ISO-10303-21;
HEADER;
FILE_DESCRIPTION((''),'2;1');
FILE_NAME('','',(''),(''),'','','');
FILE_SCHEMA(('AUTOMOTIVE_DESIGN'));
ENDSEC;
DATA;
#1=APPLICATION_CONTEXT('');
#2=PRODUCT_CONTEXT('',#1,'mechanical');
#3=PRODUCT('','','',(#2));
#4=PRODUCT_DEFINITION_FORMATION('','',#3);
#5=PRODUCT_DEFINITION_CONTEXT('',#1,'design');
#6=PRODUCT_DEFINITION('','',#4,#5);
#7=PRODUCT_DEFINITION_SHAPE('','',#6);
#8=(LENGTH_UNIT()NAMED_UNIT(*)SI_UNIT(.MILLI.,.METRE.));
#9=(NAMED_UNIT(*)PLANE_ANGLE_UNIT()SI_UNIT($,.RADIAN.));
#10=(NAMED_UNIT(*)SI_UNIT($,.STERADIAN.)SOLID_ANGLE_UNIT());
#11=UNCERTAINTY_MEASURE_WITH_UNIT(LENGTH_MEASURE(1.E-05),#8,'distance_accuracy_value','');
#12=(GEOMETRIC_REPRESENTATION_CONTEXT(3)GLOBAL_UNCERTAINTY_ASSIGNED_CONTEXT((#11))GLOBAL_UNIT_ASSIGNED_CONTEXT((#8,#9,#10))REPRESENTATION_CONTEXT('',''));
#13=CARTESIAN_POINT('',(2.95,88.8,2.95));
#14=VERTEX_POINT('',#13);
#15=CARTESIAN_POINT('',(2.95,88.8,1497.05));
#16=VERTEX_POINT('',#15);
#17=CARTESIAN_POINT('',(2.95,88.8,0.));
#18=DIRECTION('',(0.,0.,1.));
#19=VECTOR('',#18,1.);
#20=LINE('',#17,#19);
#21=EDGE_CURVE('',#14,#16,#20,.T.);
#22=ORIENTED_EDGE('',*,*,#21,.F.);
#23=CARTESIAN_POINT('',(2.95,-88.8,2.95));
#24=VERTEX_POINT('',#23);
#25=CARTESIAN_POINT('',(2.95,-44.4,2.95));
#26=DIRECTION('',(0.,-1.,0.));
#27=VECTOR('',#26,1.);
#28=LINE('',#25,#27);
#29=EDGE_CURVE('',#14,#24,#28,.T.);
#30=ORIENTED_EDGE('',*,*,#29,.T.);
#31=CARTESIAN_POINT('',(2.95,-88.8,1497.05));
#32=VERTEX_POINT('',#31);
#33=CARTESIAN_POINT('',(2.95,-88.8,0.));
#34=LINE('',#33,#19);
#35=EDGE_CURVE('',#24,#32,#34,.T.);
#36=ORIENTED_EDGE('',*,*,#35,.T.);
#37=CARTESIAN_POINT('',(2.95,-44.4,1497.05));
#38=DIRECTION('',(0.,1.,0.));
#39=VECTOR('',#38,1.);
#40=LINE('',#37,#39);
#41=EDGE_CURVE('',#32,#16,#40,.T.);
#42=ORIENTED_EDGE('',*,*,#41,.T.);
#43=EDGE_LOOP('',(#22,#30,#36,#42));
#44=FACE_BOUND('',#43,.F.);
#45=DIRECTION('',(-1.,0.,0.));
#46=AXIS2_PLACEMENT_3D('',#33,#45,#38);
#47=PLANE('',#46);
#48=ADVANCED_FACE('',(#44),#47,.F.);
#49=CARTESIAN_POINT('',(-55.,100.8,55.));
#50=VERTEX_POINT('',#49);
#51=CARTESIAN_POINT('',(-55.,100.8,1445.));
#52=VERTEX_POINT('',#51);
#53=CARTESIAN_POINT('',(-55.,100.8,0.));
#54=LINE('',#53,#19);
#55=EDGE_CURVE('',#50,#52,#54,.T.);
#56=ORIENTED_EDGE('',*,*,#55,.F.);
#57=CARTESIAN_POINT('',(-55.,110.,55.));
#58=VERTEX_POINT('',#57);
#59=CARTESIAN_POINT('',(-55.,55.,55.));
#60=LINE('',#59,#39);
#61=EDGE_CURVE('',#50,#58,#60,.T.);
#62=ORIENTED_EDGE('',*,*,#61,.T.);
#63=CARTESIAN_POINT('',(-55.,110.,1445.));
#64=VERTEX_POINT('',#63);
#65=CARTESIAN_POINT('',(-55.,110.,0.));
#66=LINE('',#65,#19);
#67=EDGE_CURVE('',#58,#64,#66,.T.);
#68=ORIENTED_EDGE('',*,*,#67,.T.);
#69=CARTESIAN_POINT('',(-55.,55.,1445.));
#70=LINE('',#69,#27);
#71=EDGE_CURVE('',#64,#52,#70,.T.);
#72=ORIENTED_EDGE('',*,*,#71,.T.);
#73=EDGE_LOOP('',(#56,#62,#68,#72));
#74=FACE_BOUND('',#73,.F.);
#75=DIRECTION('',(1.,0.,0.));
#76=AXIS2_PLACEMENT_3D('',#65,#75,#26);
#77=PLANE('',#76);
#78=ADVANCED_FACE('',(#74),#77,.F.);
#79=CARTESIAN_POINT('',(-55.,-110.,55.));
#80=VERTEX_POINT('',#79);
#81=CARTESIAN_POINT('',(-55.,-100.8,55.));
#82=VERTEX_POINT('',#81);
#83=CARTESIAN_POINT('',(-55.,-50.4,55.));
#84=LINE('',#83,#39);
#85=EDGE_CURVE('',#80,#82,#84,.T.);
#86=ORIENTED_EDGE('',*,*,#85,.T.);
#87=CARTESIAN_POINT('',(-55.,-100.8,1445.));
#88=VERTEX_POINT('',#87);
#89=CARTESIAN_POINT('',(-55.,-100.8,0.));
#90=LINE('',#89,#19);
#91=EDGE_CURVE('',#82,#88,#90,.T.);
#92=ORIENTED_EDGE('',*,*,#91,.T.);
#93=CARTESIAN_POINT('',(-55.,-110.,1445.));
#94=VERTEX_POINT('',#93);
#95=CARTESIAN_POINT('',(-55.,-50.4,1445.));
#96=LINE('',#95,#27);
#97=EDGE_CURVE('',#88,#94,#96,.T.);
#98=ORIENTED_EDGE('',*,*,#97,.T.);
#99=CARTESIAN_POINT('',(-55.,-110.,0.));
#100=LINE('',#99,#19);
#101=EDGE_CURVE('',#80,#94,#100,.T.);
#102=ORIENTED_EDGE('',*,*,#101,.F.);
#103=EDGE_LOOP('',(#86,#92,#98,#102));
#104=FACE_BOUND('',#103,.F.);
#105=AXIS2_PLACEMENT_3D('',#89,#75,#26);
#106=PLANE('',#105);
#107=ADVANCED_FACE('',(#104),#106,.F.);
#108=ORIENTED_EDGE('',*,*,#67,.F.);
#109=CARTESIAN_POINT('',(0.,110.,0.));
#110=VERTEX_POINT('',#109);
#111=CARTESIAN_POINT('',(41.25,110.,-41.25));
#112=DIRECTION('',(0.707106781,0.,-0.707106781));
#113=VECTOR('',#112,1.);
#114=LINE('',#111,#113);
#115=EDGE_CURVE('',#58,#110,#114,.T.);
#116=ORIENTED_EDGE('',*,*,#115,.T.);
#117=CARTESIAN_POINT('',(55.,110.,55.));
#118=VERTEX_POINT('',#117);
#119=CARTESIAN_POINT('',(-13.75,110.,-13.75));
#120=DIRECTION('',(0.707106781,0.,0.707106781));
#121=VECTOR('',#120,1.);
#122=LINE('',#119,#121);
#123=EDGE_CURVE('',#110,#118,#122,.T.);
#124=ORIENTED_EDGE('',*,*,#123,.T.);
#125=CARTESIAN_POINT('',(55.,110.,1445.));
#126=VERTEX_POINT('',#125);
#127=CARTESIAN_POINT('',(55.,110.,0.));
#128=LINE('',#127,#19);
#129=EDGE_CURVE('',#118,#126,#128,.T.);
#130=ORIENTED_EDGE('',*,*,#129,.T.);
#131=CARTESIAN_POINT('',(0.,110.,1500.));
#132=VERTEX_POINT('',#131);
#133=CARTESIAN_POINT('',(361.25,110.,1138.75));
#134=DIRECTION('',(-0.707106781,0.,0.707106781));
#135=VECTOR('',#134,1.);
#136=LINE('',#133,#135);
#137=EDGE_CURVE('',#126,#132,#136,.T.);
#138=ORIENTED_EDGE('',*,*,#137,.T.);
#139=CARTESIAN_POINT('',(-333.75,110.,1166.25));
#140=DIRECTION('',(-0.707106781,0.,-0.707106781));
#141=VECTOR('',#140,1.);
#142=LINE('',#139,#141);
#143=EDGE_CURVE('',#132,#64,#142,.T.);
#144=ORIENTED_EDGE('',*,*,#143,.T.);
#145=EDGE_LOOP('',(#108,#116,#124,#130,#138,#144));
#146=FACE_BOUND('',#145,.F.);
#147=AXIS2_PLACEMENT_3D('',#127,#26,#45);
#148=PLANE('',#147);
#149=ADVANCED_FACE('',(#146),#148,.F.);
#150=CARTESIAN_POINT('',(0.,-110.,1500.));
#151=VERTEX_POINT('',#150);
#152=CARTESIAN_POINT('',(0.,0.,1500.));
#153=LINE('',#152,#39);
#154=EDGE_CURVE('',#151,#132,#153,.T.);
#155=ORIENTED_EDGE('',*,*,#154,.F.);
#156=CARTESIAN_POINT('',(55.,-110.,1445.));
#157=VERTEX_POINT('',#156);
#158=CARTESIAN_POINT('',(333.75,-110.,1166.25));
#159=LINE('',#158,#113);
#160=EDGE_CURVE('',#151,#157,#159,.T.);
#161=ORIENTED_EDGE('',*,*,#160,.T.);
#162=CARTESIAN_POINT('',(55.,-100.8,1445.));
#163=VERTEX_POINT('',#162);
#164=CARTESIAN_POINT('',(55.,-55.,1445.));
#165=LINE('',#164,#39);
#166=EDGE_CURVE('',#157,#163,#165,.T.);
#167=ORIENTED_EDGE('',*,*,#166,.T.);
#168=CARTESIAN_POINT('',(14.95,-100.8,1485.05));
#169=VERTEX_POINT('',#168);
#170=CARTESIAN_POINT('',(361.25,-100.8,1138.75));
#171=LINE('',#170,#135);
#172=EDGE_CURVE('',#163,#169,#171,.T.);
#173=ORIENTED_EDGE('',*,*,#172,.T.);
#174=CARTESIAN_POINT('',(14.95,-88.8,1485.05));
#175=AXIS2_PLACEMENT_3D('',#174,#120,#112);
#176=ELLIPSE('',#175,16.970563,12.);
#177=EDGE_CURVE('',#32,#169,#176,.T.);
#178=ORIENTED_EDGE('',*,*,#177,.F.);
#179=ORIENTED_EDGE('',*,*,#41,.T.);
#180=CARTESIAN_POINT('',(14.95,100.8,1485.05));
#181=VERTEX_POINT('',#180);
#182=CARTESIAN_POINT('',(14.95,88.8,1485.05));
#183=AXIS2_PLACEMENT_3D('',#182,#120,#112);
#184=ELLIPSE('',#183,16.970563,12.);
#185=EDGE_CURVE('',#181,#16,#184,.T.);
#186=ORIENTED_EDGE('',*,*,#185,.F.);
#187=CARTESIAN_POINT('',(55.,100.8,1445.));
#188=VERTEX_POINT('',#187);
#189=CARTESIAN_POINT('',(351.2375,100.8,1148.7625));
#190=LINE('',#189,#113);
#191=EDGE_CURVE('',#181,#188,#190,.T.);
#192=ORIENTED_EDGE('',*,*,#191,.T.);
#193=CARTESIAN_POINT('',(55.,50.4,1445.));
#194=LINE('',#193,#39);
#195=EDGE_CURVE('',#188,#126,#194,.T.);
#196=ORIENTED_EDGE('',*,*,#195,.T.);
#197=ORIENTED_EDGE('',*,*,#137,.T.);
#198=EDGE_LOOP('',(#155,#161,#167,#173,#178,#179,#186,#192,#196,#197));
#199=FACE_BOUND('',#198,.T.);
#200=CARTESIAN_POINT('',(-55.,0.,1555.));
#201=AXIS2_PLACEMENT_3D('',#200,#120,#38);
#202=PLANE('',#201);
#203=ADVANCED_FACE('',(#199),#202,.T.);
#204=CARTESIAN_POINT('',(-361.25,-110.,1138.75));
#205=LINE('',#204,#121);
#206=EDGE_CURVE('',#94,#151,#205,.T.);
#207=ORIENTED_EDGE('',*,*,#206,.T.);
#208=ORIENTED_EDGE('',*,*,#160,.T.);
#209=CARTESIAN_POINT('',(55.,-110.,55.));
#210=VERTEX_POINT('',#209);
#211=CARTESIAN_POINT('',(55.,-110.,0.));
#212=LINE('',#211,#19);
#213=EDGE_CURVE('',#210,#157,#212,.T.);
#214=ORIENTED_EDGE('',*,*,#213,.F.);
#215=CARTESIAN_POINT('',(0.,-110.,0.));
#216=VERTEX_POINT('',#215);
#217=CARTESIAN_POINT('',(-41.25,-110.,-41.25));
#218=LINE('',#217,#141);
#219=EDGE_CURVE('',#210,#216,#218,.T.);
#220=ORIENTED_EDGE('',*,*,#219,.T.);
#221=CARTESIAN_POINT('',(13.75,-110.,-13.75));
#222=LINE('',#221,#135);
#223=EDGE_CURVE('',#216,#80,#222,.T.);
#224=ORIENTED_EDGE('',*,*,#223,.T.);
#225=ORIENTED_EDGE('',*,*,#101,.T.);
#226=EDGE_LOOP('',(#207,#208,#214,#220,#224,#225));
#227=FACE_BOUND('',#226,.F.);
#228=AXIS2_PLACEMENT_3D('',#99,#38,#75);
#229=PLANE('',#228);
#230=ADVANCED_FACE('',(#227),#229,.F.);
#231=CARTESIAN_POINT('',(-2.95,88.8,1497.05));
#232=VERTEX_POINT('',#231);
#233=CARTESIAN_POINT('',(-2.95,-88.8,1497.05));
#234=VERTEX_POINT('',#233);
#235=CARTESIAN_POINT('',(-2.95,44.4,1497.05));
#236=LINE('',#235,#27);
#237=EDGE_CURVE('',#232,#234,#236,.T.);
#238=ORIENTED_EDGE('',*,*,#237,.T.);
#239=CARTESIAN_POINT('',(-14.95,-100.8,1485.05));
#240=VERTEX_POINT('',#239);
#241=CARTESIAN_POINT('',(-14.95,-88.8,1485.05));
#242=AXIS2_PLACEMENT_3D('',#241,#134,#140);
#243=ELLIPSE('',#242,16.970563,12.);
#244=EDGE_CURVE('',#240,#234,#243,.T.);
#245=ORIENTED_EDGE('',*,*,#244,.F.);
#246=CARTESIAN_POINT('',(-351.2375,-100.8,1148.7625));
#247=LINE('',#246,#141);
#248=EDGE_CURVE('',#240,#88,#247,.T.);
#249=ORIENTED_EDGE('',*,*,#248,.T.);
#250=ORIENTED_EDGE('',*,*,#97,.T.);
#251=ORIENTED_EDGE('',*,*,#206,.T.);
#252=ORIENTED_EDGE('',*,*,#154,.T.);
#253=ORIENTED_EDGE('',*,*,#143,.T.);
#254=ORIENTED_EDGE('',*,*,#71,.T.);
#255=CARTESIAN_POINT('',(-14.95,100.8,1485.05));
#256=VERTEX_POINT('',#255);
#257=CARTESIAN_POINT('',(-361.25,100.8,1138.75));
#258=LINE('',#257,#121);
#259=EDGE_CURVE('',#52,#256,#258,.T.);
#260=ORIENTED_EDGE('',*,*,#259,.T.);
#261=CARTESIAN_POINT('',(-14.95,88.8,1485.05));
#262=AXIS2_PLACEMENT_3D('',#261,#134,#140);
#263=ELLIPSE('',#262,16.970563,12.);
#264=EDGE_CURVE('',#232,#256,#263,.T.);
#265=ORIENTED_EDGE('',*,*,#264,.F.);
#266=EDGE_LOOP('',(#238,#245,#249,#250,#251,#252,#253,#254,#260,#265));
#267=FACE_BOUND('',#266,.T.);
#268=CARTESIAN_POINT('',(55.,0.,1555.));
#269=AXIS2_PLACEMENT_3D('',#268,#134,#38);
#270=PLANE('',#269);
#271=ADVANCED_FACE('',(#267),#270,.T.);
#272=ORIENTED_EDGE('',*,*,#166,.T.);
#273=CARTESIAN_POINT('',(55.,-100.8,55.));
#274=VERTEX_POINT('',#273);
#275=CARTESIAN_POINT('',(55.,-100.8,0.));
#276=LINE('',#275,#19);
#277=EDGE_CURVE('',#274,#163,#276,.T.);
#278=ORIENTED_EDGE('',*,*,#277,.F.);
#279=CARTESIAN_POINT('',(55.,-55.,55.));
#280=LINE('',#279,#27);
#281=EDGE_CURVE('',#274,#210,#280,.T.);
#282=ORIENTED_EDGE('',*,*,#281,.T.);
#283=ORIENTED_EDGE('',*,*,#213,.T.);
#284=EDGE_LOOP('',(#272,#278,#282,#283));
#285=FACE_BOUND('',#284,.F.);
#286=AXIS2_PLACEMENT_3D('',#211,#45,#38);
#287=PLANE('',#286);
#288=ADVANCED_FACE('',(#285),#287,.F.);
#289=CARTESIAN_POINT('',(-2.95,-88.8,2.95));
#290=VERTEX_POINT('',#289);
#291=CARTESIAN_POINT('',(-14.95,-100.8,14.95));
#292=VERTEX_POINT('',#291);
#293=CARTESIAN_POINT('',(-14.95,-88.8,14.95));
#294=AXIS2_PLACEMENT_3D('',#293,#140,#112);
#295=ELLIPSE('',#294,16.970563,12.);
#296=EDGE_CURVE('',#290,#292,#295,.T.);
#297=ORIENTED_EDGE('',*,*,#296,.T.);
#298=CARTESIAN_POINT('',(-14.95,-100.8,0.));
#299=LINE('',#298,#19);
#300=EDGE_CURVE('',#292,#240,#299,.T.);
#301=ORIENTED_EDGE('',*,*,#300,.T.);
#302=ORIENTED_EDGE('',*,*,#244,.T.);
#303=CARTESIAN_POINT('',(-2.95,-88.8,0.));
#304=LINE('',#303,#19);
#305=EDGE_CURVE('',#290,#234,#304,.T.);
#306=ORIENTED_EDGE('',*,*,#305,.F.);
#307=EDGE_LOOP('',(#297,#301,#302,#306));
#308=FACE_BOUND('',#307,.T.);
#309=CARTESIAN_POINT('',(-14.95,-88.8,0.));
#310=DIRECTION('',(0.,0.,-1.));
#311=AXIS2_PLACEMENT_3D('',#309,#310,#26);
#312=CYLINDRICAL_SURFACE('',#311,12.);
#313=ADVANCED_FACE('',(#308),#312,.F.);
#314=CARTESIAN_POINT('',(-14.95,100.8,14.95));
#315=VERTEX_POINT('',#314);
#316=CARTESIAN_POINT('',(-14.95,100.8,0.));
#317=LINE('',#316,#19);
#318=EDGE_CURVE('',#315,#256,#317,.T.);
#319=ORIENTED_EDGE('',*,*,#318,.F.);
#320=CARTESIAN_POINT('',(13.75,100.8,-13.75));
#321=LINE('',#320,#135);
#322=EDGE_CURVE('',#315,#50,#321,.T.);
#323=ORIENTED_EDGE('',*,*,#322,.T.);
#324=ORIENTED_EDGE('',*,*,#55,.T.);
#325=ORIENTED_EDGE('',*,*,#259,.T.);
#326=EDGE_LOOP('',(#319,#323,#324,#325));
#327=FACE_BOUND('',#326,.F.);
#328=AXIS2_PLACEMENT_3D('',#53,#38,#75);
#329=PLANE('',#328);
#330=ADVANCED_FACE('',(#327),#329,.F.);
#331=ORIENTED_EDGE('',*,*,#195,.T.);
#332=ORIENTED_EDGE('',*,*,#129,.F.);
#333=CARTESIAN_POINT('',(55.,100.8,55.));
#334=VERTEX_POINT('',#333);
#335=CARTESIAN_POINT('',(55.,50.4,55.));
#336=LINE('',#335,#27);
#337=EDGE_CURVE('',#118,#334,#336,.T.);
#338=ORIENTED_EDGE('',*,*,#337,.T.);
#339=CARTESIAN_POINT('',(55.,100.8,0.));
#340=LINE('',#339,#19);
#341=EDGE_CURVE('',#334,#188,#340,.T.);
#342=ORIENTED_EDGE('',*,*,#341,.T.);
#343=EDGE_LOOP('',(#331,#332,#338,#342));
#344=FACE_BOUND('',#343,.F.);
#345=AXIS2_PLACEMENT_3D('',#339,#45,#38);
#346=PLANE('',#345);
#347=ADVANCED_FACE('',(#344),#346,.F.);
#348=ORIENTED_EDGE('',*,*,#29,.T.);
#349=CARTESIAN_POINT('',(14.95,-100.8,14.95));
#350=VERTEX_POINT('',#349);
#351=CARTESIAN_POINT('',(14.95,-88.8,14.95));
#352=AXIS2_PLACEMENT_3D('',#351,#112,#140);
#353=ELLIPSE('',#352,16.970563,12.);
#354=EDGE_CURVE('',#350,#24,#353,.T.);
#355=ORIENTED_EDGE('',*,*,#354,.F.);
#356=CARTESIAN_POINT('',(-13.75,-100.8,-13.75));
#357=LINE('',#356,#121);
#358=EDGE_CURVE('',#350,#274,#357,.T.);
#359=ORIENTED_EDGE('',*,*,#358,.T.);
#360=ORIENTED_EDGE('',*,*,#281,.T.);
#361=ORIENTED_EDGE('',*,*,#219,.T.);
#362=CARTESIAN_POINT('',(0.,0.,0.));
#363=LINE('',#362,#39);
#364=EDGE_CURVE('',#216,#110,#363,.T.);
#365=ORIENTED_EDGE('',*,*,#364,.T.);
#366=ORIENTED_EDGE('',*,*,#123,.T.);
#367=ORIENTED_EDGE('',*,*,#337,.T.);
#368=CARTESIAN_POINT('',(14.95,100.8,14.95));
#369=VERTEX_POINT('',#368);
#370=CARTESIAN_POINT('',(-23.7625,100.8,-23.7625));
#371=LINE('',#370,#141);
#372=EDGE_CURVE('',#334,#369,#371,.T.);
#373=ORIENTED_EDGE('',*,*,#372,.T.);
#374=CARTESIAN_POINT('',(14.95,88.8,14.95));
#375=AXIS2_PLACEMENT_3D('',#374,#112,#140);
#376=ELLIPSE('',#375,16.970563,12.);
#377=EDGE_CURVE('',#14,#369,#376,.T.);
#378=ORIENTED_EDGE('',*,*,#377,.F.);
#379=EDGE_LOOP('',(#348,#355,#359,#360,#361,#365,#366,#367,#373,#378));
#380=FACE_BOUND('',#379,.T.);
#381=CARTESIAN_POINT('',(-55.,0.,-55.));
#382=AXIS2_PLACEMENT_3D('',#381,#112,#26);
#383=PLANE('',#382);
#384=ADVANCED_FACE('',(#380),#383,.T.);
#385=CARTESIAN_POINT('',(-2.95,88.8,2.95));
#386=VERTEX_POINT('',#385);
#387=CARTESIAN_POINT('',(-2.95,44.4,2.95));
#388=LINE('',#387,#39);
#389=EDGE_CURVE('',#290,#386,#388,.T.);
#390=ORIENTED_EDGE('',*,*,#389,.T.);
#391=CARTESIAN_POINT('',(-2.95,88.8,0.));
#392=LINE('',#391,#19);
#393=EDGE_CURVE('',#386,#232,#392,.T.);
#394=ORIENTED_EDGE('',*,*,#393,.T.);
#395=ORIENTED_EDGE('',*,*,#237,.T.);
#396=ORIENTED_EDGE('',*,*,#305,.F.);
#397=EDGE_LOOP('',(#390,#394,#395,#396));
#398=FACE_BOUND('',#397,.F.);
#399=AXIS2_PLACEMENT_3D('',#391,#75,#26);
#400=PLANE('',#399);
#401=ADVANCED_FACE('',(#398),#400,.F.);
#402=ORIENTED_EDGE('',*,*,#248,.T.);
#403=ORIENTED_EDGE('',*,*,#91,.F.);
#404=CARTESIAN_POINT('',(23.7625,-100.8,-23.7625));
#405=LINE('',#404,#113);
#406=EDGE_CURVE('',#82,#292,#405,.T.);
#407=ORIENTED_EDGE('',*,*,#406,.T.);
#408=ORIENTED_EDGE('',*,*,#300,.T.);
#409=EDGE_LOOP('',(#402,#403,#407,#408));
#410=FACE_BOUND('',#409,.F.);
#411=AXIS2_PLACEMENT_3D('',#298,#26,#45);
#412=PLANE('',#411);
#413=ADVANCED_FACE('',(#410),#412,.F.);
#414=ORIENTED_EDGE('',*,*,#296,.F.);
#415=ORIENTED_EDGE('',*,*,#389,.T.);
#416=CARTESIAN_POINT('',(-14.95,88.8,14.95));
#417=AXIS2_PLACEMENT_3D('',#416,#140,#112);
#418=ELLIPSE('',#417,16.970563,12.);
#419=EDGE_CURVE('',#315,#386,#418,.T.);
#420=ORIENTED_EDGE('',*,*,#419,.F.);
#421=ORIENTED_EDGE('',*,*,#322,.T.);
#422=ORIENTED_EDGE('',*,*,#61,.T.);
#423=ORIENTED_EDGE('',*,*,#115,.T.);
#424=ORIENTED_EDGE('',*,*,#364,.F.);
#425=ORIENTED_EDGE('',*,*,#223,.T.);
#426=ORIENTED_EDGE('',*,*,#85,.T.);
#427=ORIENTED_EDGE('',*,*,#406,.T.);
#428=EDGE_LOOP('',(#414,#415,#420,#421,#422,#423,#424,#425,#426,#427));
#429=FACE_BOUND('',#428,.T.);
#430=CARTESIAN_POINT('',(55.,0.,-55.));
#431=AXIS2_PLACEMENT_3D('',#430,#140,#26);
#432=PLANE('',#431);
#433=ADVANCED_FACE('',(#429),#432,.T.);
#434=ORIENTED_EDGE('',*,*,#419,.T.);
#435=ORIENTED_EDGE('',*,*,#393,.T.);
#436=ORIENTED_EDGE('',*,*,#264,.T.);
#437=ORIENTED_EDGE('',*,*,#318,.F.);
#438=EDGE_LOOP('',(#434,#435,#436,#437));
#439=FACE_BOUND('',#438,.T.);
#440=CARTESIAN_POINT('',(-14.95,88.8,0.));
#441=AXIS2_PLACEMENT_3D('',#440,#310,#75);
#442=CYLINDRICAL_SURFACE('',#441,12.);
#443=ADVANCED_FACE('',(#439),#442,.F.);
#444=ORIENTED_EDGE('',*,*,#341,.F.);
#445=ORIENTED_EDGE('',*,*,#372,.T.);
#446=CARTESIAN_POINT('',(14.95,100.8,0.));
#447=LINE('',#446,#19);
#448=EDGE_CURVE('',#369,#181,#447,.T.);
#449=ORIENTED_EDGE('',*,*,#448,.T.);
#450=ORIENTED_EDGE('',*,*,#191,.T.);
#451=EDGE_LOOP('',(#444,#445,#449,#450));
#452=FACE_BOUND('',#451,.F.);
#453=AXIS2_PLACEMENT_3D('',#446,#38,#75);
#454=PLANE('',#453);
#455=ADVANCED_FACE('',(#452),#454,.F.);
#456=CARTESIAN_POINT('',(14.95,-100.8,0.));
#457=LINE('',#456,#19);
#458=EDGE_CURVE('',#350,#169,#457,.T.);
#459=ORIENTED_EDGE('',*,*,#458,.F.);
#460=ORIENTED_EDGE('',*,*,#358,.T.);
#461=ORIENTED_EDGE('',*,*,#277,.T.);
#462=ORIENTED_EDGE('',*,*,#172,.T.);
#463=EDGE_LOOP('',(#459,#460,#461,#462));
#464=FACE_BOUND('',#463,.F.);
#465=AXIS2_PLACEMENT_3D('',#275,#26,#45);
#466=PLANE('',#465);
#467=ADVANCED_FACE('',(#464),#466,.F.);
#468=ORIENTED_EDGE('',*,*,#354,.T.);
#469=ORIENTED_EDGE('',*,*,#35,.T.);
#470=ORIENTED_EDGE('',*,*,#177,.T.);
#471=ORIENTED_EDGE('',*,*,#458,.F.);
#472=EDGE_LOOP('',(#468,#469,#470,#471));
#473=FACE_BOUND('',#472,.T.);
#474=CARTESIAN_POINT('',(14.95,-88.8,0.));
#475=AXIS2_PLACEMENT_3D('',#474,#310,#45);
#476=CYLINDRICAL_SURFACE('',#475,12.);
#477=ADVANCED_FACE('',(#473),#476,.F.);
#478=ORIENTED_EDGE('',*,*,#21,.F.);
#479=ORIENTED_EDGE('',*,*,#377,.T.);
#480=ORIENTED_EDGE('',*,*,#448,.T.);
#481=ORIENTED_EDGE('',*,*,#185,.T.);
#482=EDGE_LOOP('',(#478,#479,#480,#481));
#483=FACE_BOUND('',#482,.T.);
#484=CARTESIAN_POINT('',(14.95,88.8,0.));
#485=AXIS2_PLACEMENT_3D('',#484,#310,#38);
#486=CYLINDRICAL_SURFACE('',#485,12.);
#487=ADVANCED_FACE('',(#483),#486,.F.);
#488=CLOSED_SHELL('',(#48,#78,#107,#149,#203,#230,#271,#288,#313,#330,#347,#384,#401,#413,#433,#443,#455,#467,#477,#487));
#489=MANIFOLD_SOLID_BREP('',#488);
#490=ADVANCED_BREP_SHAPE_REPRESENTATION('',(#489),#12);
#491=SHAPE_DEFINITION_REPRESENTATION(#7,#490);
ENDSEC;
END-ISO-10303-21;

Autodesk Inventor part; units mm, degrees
ref_plane "Start plane" through (0, 0, 0) normal (0, 0, 1) x (1, 0, 0)
ref_plane "End plane" through (0, 0, 1500) normal (0, 0, 1) x (1, 0, 0)
sketch "Sketch2" plane through (0, 0, 0) normal (0, 0, 1) x (1, 0, 0)
  line L0 (-55, 100.8) -> (-14.95, 100.8)
  line L1 (-55, 110) -> (-55, 100.8)
  line L2 (55, 110) -> (-55, 110)
  line L3 (55, 100.8) -> (55, 110)
  line L4 (14.95, 100.8) -> (55, 100.8)
  line L5 (2.95, -88.8) -> (2.95, 88.8)
  line L6 (55, -100.8) -> (14.95, -100.8)
  line L7 (55, -110) -> (55, -100.8)
  line L8 (-55, -100.8) -> (-55, -110)
  line L9 (-14.95, -100.8) -> (-55, -100.8)
  line L10 (-2.95, 88.8) -> (-2.95, -88.8)
  line L11 (0, -154) -> (0, 154) construction
  line L12 (-2.95, -100.8) -> (2.95, -100.8) construction
  arc A0 (-14.95, -100.8) -> (-2.95, -88.8) centre (-14.95, -88.8) ccw
  arc A1 (-2.95, 88.8) -> (-14.95, 100.8) centre (-14.95, 88.8) ccw
  arc A2 (14.95, 100.8) -> (2.95, 88.8) centre (14.95, 88.8) ccw
  arc A3 (2.95, -88.8) -> (14.95, -100.8) centre (14.95, -88.8) ccw
  line L13 (-77, 0) -> (77, 0) construction
  line L14 (-55, -110) -> (55, -110)
  point P0 (-2.95, 100.8)
  point P1 (2.95, 100.8)
  point P2 (0, 0)
  point P3 (0, -100.8)
  point P4 (0, 0)
  dimension "d1" = 220
  dimension "d3" = 9.2
  dimension "d5" = 5.9
  dimension "d7" = 110
  dimension "d13" = 12
  dimension "d14" = 110
  dimension "d15" = 55
extrude "Body" add sketch "Sketch2" along normal up to surface (1500 mm away) from surface at 0
sketch "Sketch3" plane through (0, 0, 0) normal (0, 0, 1) x (1, 0, 0)
  line L0 (0, 0) -> (10, 0)
ref_plane "Work Plane3" through (0, 0, 0) normal (0, -1, 0) x (1, 0, 0)
ref_plane "Work Plane4" through (-55, 0, 1555) normal (0.7071, 0, 0.7071) x (0.7071, 0, -0.7071)
split "Split1" plane through (-55, 0, 1555) removes the side toward (0.7071, 0, 0.7071)
ref_plane "Work Plane5" through (55, 0, 1555) normal (-0.7071, 0, 0.7071) x (0.7071, 0, 0.7071)
split "Split2" plane through (55, 0, 1555) removes the side toward (-0.7071, 0, 0.7071)
ref_plane "Work Plane6" through (-55, 0, -55) normal (0.7071, 0, -0.7071) x (-0.7071, 0, -0.7071)
split "Split3" plane through (-55, 0, -55) removes the side toward (0.7071, 0, -0.7071)
ref_plane "Work Plane7" through (55, 0, -55) normal (-0.7071, 0, -0.7071) x (-0.7071, 0, 0.7071)
split "Split4" plane through (55, 0, -55) removes the side toward (-0.7071, 0, -0.7071)
sketch "Sketch4" plane through (0, 0, 0) normal (0, -1, 0) x (1, 0, 0)
  line L0 (-2, 0) -> (12, 0) projected
  line L1 (-2, 1500) -> (12, 1500) projected
  dimension "d19" = 1500
equation "\"d1\" = ParH"
equation "\"d3\" = t2"
equation "\"d5\" = t1"
equation "\"d7\" = b"
equation "\"d13\" = R1"
equation "\"d14\" = 0.5 * d1"
equation "\"d15\" = 0.5 * d7"
equation "\"d8\" = G_L"
equation "\"b\" = 110"
equation "\"ParH\" = 220"
equation "\"R1\" = 12"
equation "\"G_L\" = d19"
equation "\"t1\" = 5.9"
equation "\"t2\" = 9.2"
equation "\"G_OFFSET_START\" = 0"
equation "\"G_OFFSET_END\" = 0"
properties part number "DIN 1025 - IPE 220-1500" material "Steel, Mild"
